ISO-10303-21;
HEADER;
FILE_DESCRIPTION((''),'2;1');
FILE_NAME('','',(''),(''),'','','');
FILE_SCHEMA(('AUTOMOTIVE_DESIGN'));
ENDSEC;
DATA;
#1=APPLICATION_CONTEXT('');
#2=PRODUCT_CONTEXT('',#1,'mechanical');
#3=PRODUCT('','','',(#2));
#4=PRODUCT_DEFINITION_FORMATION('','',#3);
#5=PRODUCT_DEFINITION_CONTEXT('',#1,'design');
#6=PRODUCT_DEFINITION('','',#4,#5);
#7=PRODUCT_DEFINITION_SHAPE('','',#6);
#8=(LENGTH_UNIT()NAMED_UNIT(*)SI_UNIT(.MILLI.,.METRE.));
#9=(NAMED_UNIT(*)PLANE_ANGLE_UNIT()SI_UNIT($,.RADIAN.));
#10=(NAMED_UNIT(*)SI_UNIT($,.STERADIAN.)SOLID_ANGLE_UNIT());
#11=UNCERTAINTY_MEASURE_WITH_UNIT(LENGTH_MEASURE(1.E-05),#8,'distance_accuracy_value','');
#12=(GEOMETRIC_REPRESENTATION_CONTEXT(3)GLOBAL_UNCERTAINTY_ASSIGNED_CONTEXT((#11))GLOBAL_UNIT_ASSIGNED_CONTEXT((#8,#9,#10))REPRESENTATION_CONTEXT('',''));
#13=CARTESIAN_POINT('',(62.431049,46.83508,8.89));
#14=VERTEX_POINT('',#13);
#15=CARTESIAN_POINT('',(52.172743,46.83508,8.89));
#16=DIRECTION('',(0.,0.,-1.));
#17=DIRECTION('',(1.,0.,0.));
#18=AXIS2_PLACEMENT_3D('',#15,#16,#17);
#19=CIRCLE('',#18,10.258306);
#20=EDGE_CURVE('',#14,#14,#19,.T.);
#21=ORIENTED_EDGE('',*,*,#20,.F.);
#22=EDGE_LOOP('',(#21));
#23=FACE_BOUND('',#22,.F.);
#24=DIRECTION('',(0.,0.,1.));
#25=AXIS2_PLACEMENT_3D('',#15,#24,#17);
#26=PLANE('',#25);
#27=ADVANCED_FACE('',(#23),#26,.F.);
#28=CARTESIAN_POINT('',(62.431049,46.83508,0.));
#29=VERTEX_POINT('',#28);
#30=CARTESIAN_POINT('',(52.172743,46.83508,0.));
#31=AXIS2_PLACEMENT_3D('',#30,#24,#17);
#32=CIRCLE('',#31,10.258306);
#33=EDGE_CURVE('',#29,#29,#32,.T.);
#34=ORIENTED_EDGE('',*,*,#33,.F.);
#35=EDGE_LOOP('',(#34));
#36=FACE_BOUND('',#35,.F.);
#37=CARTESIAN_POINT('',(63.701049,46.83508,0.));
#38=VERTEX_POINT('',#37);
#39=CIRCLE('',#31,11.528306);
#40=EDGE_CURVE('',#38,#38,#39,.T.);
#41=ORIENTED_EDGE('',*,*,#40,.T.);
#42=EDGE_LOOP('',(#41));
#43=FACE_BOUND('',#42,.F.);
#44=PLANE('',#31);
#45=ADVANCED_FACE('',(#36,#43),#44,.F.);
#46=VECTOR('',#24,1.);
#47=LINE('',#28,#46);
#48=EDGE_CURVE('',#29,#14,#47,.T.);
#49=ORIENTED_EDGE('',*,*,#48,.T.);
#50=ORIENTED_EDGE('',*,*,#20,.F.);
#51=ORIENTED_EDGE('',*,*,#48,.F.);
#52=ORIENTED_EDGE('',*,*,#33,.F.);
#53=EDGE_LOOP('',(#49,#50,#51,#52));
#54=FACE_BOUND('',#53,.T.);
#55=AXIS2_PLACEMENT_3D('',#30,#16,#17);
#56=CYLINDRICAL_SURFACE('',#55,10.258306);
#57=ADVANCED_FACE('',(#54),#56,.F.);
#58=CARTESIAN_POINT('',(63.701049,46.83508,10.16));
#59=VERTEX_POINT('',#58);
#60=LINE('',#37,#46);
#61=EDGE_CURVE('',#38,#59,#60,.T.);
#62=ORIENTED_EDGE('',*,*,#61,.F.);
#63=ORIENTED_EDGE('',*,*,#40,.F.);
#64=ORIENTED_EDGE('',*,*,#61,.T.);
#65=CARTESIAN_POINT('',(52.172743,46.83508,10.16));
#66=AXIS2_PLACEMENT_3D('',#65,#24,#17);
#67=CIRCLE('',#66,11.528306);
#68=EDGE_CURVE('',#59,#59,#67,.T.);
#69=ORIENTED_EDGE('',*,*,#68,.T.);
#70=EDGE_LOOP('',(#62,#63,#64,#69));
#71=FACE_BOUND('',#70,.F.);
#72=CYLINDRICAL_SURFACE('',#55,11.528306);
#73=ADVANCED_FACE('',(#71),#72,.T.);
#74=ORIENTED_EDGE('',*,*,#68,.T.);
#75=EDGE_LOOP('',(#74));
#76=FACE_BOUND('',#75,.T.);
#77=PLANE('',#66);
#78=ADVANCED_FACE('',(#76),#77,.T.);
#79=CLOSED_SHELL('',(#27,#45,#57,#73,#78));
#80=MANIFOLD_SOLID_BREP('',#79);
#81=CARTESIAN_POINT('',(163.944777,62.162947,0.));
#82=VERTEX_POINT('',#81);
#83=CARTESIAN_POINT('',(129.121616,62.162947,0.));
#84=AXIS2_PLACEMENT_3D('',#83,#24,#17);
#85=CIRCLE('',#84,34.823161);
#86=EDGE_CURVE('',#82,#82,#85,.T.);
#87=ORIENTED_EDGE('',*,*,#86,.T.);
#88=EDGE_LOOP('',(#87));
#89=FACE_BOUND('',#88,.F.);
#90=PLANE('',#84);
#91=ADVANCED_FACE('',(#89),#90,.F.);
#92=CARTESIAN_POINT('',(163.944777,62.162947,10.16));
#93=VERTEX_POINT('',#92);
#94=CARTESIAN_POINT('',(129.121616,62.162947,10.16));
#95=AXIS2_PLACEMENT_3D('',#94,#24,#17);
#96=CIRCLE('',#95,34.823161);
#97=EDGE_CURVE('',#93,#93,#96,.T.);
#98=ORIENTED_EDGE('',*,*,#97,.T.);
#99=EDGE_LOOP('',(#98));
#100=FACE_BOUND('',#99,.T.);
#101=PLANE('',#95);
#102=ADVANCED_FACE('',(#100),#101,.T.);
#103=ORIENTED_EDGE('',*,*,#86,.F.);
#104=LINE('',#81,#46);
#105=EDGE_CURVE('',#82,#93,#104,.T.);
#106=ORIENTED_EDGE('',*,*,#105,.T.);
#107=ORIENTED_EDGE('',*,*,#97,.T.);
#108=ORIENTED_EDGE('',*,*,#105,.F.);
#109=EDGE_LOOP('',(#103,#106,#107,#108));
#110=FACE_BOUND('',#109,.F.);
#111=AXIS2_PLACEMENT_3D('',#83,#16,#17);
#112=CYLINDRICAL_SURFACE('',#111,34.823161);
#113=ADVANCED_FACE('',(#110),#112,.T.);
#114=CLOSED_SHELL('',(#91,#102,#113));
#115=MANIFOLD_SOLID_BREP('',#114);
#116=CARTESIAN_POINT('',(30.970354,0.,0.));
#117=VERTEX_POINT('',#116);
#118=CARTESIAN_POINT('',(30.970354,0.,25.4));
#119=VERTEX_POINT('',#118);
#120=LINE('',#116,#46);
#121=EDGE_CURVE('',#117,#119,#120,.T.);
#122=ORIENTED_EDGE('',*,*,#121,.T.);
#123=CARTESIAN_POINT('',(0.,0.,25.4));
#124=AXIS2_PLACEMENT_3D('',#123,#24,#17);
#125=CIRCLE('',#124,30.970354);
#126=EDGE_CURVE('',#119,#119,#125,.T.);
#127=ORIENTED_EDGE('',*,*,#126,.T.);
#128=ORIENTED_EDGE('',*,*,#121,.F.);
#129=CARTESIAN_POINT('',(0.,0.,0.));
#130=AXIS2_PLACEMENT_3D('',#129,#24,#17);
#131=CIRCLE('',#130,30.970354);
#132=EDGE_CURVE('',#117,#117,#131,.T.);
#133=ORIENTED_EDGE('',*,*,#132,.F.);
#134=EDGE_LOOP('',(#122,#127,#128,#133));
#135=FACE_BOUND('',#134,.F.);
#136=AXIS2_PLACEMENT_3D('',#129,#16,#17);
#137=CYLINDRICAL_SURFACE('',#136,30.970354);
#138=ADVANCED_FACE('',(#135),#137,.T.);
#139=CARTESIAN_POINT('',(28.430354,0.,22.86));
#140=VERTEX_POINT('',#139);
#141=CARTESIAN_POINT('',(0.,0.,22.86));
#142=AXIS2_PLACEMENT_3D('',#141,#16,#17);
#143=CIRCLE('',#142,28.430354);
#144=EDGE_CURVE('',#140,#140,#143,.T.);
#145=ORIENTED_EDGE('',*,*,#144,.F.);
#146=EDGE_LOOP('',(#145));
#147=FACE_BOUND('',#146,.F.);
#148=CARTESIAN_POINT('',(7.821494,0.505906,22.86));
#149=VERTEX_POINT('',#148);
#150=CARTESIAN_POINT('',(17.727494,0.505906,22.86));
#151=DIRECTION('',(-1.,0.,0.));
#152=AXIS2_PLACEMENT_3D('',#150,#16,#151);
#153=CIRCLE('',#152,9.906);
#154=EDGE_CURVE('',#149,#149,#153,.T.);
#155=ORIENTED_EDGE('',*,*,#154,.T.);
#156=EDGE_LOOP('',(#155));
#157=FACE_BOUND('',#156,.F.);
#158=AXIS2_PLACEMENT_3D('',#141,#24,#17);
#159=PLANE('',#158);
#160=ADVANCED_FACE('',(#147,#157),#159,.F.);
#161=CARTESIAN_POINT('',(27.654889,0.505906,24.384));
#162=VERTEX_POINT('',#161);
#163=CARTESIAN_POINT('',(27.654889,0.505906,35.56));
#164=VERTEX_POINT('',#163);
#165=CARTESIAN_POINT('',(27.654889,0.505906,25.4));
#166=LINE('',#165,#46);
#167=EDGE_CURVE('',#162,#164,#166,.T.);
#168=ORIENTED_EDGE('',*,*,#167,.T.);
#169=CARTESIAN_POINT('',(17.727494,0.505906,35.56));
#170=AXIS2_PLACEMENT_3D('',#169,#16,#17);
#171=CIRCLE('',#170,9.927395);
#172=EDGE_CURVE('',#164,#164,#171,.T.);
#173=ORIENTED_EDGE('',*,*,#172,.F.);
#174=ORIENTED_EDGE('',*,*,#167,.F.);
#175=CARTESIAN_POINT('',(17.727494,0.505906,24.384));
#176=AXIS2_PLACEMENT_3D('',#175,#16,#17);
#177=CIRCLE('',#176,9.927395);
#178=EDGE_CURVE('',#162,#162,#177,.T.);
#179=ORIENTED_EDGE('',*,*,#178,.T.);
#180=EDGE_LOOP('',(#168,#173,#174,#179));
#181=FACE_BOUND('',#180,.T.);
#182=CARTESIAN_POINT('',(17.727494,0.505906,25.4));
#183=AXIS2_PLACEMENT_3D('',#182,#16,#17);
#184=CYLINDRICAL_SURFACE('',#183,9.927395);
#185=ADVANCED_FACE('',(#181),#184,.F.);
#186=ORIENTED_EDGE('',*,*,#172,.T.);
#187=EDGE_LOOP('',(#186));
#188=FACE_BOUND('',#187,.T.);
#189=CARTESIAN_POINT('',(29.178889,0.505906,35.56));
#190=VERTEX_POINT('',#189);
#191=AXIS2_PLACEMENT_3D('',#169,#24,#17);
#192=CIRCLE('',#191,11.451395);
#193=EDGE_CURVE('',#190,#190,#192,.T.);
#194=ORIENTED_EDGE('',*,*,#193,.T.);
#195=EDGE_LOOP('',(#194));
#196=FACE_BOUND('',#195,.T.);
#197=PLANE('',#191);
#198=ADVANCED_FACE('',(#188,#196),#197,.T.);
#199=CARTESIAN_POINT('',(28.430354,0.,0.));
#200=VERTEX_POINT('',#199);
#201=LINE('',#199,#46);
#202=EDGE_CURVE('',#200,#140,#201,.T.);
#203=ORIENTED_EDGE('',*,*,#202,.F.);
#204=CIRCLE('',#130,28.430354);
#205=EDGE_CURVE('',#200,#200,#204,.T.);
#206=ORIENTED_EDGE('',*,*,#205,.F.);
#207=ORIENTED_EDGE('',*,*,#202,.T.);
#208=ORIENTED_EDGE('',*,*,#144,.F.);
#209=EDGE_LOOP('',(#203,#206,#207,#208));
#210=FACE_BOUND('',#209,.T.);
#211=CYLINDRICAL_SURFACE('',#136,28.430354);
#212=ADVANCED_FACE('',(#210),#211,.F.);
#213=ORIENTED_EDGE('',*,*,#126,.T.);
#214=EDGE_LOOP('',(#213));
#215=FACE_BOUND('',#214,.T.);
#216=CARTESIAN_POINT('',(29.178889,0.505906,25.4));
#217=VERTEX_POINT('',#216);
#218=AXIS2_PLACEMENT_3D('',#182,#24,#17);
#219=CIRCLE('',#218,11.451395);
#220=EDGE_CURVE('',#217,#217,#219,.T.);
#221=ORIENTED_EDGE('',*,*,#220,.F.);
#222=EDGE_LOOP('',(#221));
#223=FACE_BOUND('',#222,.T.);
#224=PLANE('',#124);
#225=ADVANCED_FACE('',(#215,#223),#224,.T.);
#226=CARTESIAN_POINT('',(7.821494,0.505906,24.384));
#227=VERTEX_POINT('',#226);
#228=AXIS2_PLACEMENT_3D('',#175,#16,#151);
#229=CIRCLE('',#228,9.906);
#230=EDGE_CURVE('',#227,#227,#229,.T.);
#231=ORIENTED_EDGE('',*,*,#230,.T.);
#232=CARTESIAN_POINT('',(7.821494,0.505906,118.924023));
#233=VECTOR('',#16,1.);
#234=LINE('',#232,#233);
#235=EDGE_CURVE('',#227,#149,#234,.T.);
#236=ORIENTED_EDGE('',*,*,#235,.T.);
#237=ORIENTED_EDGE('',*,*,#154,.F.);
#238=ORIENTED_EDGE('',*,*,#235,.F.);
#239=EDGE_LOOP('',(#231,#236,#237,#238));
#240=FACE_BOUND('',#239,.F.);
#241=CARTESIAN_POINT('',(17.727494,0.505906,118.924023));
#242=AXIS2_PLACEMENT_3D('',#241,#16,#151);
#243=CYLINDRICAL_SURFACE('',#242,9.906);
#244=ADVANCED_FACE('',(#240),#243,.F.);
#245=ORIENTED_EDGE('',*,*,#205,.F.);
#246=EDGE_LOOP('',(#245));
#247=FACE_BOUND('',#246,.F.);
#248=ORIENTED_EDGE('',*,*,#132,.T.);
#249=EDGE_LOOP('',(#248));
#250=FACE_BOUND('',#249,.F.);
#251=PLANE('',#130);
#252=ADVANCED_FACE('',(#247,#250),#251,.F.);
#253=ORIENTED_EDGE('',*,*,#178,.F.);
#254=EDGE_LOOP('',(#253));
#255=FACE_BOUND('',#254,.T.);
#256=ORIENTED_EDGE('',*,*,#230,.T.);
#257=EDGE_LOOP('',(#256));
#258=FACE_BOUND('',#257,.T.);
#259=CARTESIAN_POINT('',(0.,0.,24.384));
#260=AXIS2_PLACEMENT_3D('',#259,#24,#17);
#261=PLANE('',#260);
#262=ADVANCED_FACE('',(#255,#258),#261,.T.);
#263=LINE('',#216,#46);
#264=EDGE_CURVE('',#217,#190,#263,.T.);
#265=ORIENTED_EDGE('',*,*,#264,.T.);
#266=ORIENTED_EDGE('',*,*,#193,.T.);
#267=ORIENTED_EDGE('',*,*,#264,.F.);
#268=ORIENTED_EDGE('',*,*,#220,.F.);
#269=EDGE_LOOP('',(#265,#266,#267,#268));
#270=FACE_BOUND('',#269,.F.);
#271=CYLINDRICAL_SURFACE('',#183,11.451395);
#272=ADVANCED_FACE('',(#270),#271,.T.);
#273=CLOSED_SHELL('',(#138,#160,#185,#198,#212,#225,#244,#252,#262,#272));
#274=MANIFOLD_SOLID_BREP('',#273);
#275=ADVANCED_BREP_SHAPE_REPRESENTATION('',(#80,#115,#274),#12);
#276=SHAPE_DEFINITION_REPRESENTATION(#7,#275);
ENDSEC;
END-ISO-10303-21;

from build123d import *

# Parameters (mm, degrees)
F0_R      = 30.970353642
F1_DEPTH  = 25.4
F2_T      = -2.54
F4_R      = 11.4513945414
F5_DEPTH  = 10.16
F6_T      = -1.524
F8_D      = 19.812
F9_R      = 11.5283057716
F10_DEPTH = 10.16
F9_R_2    = 34.8231609138
F11_T     = -1.27


with BuildPart() as f1:
    # F0 (on Top) → F1 (new body)
    with BuildSketch(Plane.XY):
        Circle(F0_R)
    extrude(amount=F1_DEPTH)

    # F2
    f2_openings = [f1.faces().sort_by_distance(p)[0] for p in [
        (0, 0, 0),
    ]]
    offset(amount=F2_T, openings=f2_openings)

    # F4 (on offset) → F5 (join)
    with BuildSketch(Plane.XY.offset(25.4)):
        with Locations((17.7274942398, 0.5059055984)):
            Circle(F4_R)
    extrude(amount=F5_DEPTH)

    # F6
    f6_openings = [f1.faces().sort_by_distance(p)[0] for p in [
        (17.727494, 0.505906, 35.56),
    ]]
    offset(amount=F6_T, openings=f6_openings, kind=Kind.INTERSECTION)

    # F8 (through all)
    with Locations(Plane.XY.offset(24.384)):
        with Locations((17.7274942398, 0.5059055984)):
            Hole(F8_D / 2)


with BuildPart() as f10:
    # F9 (on Top) → F10 (new body)
    with BuildSketch(Plane.XY):
        with Locations((52.172742784, 46.8350797892)):
            Circle(F9_R)
    extrude(amount=F10_DEPTH)

    # F11
    f11_openings = [f10.faces().sort_by_distance(p)[0] for p in [
        (52.172743, 46.83508, 0),
    ]]
    offset(amount=F11_T, openings=f11_openings)


with BuildPart() as f10b:
    # F9 (on Top) → F10, piece 2 (new body)
    with BuildSketch(Plane.XY):
        with Locations((129.1216164827, 62.1629469097)):
            Circle(F9_R_2)
    extrude(amount=F10_DEPTH)


solid = Compound([f1.part, f10.part, f10b.part])
